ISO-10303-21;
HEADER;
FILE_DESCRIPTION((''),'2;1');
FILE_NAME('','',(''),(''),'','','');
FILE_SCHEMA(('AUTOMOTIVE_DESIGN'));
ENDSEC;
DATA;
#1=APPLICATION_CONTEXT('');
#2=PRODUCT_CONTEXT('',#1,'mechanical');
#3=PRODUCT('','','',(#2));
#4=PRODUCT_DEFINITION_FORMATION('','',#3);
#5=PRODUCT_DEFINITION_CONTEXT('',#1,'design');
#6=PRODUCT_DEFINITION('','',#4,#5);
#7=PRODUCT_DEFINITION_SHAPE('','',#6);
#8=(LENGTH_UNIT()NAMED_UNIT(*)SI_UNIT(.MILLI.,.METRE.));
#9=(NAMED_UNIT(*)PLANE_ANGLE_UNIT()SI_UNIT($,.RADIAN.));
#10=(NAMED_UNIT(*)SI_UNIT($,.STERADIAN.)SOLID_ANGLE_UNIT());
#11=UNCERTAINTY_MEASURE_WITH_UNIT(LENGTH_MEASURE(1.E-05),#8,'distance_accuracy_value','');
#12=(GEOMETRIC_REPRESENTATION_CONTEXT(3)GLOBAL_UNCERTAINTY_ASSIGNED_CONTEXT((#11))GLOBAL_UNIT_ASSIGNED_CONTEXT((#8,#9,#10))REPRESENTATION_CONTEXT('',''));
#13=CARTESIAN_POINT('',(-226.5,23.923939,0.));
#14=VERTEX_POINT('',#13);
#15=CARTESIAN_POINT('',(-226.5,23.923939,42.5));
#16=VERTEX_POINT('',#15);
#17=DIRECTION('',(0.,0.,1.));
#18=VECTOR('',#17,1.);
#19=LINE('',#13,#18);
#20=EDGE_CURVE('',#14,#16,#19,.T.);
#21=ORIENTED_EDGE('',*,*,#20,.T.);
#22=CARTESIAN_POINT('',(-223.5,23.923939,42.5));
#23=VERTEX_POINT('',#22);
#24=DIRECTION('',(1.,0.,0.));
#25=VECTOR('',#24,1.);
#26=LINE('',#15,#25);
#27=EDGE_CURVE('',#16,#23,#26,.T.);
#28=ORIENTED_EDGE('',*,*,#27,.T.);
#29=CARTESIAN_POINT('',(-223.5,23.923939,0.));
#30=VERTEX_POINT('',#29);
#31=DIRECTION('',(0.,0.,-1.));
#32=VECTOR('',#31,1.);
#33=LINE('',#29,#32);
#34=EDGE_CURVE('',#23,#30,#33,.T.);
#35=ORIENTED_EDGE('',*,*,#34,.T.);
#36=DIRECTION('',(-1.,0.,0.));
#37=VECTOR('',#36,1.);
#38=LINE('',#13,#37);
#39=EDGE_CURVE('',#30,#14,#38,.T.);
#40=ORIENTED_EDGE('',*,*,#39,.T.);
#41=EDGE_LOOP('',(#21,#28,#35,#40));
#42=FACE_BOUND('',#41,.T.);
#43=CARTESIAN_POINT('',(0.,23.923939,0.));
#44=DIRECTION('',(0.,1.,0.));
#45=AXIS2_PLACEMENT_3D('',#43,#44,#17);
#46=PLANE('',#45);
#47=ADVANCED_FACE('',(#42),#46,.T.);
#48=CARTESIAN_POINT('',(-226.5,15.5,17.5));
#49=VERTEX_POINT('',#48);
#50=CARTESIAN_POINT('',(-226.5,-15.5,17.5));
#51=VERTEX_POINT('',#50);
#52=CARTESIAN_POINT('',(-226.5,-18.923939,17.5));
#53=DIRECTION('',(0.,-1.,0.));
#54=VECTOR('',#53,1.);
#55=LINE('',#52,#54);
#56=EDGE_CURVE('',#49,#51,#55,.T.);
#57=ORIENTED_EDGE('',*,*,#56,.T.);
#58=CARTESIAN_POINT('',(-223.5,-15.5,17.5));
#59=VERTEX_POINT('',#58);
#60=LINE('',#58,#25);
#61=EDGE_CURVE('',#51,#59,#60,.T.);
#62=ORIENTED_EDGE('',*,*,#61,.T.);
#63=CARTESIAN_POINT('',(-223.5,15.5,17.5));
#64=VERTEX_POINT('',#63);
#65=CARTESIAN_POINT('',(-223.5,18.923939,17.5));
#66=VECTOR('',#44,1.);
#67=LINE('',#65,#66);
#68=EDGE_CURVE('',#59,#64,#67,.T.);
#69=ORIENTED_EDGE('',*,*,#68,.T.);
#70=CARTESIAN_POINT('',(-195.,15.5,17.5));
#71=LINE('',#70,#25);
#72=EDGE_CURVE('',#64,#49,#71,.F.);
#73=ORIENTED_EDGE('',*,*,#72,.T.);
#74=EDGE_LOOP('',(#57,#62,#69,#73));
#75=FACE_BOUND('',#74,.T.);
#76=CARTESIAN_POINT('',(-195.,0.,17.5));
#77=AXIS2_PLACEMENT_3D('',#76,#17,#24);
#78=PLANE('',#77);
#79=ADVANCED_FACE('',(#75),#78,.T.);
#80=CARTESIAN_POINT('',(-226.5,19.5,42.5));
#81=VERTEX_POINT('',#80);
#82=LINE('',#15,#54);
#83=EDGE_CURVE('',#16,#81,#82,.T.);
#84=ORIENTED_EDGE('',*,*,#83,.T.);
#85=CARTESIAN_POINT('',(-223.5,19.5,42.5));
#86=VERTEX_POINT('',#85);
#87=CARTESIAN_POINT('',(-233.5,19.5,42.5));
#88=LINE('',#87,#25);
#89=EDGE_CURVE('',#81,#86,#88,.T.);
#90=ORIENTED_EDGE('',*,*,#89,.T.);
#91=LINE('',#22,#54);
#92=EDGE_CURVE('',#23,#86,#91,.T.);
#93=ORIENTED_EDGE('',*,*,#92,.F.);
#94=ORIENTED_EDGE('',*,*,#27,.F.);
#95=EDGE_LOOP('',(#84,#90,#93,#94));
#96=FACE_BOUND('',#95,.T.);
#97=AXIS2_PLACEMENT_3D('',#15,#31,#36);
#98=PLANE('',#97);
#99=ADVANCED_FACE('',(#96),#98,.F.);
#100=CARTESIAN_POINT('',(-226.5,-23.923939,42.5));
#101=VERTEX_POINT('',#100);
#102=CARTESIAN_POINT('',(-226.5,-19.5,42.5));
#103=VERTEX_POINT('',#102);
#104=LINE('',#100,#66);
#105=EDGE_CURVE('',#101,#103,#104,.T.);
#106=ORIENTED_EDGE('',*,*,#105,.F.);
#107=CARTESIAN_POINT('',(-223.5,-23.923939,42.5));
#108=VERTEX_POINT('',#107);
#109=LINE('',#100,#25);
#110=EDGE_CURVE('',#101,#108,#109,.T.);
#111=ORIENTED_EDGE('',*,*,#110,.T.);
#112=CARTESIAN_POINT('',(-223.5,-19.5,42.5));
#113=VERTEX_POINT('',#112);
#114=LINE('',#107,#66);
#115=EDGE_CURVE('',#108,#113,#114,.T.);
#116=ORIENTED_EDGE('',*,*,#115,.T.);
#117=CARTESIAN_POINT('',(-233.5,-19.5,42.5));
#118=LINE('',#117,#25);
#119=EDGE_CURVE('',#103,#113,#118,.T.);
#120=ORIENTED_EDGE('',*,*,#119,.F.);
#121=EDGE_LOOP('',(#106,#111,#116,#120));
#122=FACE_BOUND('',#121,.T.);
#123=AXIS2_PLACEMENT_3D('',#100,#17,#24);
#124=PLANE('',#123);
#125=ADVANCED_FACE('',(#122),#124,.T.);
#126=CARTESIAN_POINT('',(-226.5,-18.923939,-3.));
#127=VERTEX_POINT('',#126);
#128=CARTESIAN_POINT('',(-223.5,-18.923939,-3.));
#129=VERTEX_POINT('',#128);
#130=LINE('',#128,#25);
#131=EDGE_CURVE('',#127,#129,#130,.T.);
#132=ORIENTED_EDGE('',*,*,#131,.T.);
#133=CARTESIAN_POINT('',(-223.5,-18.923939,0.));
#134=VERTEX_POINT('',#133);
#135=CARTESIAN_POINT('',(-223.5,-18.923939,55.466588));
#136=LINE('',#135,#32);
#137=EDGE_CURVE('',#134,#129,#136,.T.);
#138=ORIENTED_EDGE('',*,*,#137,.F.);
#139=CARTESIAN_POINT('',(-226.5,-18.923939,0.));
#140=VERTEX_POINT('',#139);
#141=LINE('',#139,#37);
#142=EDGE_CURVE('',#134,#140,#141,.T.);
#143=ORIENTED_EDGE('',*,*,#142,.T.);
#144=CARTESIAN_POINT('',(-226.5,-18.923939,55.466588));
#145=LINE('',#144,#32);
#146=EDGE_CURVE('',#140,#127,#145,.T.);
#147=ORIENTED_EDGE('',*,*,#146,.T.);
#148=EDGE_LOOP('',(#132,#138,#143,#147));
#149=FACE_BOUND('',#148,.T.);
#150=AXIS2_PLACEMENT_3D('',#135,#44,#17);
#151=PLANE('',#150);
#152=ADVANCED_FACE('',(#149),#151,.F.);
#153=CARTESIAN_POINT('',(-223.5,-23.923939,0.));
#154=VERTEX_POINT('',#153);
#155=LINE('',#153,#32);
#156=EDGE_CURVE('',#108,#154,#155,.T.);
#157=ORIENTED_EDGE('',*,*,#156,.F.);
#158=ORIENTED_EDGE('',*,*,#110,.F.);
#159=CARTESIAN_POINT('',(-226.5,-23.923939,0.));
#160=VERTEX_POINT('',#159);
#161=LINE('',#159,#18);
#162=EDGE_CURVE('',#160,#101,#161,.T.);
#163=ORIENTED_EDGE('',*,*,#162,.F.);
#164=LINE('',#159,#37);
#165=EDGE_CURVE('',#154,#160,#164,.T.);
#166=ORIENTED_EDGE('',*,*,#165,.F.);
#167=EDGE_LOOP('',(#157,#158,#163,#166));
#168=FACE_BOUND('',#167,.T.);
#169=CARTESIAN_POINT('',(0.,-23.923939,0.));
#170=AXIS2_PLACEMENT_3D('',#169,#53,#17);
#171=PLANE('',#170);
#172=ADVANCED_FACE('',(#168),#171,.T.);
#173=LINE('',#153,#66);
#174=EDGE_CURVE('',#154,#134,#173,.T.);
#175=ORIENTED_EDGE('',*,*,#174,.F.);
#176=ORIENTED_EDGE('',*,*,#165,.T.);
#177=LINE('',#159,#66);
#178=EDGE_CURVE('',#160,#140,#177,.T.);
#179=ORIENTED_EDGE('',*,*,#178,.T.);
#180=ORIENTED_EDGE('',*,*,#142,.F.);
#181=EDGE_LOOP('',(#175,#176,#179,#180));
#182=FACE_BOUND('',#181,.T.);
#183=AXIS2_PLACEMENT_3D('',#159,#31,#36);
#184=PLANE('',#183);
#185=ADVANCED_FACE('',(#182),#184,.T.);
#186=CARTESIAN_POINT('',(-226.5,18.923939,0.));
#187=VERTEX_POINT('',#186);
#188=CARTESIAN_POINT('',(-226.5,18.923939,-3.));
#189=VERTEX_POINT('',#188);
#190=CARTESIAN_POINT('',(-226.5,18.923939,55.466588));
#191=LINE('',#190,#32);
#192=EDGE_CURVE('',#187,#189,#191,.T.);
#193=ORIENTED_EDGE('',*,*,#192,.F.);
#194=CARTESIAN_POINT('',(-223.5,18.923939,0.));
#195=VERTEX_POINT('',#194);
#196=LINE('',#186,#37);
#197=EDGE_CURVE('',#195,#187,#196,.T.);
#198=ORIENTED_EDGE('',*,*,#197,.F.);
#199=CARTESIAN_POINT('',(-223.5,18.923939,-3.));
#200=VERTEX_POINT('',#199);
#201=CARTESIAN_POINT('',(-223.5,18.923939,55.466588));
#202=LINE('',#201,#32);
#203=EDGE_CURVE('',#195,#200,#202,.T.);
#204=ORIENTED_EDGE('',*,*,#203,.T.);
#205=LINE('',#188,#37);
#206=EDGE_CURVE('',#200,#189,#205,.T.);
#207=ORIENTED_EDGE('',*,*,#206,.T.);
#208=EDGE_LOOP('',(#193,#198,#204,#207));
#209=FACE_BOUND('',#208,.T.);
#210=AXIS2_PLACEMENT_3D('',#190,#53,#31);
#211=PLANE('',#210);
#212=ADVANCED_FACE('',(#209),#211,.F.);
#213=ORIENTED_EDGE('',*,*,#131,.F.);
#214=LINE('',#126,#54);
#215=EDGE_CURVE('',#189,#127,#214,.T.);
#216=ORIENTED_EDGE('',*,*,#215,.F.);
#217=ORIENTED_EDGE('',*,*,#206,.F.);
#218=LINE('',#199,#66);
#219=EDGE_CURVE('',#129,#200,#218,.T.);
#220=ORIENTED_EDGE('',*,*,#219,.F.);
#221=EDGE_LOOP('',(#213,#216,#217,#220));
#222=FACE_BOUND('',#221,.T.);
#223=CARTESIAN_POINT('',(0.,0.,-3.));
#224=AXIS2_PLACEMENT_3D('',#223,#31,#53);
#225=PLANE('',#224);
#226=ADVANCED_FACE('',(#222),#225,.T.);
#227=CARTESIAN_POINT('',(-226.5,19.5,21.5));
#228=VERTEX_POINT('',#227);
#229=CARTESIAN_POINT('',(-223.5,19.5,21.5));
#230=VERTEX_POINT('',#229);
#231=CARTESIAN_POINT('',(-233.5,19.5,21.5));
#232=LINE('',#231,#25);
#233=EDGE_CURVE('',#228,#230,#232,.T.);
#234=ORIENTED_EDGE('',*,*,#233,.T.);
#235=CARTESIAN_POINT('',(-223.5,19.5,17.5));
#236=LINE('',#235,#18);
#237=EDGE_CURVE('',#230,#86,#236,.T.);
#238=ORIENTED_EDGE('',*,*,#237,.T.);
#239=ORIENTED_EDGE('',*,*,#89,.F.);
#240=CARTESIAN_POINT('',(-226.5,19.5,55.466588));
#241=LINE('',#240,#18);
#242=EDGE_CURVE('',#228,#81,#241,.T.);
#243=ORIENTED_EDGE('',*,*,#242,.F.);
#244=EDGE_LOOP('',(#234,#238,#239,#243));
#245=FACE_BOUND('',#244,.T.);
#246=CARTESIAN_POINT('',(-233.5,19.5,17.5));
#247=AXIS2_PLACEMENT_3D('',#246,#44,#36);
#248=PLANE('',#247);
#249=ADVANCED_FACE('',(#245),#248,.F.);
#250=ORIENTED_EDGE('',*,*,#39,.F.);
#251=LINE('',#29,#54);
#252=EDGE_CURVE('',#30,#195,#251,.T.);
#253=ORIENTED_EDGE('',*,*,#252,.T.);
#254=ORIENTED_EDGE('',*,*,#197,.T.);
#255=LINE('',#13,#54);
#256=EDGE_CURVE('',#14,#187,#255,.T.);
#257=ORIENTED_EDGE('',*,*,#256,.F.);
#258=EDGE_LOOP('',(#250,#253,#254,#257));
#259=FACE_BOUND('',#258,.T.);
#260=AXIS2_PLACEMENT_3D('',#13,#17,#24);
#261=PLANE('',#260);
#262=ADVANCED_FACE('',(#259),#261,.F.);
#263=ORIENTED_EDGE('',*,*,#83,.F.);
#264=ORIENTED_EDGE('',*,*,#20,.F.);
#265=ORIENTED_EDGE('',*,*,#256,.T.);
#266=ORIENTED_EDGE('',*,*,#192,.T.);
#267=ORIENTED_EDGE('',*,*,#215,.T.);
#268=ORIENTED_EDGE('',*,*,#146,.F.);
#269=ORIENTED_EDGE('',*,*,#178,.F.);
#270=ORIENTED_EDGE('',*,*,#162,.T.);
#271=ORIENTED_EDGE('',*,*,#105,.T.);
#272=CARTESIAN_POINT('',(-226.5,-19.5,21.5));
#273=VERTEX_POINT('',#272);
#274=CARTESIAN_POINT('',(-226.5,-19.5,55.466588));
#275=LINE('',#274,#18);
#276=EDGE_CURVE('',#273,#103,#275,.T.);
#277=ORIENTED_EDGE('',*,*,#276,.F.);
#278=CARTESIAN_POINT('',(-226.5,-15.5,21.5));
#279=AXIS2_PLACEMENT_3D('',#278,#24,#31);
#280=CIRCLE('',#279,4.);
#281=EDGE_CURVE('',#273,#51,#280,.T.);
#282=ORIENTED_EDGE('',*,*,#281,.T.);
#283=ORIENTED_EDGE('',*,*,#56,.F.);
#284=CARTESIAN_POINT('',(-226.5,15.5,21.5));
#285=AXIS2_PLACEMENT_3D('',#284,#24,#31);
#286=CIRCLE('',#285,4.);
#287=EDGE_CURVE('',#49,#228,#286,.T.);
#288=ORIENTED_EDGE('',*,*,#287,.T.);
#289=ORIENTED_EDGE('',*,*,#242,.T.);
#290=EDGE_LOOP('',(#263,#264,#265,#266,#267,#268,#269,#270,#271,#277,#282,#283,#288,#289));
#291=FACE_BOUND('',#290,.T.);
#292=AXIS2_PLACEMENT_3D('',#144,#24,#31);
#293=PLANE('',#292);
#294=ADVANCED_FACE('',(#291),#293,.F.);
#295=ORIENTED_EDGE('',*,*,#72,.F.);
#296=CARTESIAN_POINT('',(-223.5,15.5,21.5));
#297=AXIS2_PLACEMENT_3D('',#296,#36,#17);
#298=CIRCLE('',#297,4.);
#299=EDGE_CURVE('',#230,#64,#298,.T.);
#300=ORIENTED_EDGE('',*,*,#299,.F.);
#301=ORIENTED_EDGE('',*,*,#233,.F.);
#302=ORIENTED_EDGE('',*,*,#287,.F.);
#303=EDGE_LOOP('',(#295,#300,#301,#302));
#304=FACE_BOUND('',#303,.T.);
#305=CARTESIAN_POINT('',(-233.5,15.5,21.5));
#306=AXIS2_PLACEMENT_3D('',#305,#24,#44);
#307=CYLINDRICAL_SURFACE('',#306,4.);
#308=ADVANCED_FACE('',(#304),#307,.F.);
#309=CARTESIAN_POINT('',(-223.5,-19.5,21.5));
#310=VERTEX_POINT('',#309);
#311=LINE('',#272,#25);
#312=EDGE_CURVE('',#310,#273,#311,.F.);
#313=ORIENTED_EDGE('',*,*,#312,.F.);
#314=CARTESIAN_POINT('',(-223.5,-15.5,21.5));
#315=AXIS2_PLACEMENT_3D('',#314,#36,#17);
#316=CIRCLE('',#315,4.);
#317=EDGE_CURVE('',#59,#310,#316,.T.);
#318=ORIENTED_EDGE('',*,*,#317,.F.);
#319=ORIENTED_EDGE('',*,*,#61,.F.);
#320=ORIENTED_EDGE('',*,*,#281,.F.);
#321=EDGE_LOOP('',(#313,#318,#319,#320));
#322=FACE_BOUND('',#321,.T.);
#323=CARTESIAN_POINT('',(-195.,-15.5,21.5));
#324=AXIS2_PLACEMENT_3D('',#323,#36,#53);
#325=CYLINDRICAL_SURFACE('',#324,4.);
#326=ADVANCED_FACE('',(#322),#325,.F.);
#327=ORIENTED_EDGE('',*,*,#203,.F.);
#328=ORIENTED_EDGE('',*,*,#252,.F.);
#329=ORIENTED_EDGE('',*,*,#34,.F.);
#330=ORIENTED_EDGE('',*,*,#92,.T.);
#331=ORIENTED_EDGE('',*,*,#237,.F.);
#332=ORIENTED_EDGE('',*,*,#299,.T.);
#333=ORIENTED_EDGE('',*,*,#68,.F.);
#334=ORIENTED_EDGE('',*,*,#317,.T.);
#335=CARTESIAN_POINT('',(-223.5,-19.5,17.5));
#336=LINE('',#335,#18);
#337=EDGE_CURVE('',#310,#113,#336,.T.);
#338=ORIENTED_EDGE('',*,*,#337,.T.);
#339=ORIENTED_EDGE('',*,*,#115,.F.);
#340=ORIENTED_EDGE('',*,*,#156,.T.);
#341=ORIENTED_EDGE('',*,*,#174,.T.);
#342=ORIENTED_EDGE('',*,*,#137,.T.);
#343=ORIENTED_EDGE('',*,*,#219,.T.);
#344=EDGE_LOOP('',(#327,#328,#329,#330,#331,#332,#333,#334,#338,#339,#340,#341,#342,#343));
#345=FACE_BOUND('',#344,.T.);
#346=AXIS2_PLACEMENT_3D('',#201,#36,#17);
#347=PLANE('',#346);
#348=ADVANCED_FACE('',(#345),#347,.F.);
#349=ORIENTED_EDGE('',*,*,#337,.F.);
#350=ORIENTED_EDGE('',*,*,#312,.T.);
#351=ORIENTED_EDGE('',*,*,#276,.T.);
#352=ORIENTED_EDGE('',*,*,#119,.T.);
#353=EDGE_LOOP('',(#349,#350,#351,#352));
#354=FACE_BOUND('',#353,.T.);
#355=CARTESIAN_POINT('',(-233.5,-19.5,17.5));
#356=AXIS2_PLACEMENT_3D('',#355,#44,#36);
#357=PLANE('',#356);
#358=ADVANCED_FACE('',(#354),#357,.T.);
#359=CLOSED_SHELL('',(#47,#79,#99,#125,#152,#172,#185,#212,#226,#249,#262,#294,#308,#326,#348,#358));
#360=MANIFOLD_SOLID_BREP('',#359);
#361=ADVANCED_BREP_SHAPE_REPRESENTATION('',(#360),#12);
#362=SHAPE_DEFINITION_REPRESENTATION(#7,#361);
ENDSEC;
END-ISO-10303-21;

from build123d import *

# Parameters (mm, degrees)
ESTRUSIONE_ESTRUSIONE1_DEPTH      = 17.5
ESTRUSIONE_ESTRUSIONE1_DEPTH_BACK = 3
SCHIZZO1_W                        = 3
SCHIZZO1_H                        = 37.84787706
SCHIZZO2_W                        = 3
SCHIZZO2_H                        = 42.5
ESTRUSIONE_ESTRUSIONE2_DEPTH      = 5
SCHIZZO3_W                        = 25
SCHIZZO3_H                        = 0.57606147
TAGLIO_ESTRUSIONE1_DEPTH          = 10
RACCORDO1_R                       = 4
RACCORDO1_OF_SPECCHIA1_R          = 4


with BuildPart() as part:
    # Schizzo1 → Estrusione-Estrusione1 (new, two sides: drawn at the far end of the back side and taken through both)
    with BuildSketch(Plane.XY.offset(-ESTRUSIONE_ESTRUSIONE1_DEPTH_BACK)):
        with Locations((-225, 0)):
            Rectangle(SCHIZZO1_W, SCHIZZO1_H)
    extrude(amount=ESTRUSIONE_ESTRUSIONE1_DEPTH + ESTRUSIONE_ESTRUSIONE1_DEPTH_BACK)

    # Schizzo2 → Estrusione-Estrusione2 (add)
    with BuildSketch(Plane(origin=(0, 18.92393853, 0), x_dir=(1, 0, 0), z_dir=(0, 1, 0))):
        with Locations((-225, -21.25)):
            Rectangle(SCHIZZO2_W, SCHIZZO2_H)
    estrusione_estrusione2 = extrude(amount=ESTRUSIONE_ESTRUSIONE2_DEPTH)

    # Schizzo3 → Taglio-Estrusione1 (cut)
    with BuildSketch(Plane(origin=(-223.5, 0, 0), x_dir=(0, 0, -1), z_dir=(1, 0, 0))):
        with Locations((-30, 19.211969265)):
            Rectangle(SCHIZZO3_W, SCHIZZO3_H)
    taglio_estrusione1 = extrude(amount=-TAGLIO_ESTRUSIONE1_DEPTH, mode=Mode.SUBTRACT)

    # Raccordo1
    raccordo1_edges = [part.edges().sort_by_distance(p)[0] for p in [
        (-225, 19.5, 17.5),
    ]]
    fillet(raccordo1_edges, radius=RACCORDO1_R)

    # Specchia1: Estrusione-Estrusione2, Taglio-Estrusione1 across plane
    add(estrusione_estrusione2.mirror(Plane.ZX))
    add(taglio_estrusione1.mirror(Plane.ZX), mode=Mode.SUBTRACT)

    # Raccordo1 of Specchia1
    raccordo1_of_specchia1_edges = [part.edges().sort_by_distance(p)[0] for p in [
        (-225, -19.5, 17.5),
    ]]
    fillet(raccordo1_of_specchia1_edges, radius=RACCORDO1_OF_SPECCHIA1_R)


solid = part.part
